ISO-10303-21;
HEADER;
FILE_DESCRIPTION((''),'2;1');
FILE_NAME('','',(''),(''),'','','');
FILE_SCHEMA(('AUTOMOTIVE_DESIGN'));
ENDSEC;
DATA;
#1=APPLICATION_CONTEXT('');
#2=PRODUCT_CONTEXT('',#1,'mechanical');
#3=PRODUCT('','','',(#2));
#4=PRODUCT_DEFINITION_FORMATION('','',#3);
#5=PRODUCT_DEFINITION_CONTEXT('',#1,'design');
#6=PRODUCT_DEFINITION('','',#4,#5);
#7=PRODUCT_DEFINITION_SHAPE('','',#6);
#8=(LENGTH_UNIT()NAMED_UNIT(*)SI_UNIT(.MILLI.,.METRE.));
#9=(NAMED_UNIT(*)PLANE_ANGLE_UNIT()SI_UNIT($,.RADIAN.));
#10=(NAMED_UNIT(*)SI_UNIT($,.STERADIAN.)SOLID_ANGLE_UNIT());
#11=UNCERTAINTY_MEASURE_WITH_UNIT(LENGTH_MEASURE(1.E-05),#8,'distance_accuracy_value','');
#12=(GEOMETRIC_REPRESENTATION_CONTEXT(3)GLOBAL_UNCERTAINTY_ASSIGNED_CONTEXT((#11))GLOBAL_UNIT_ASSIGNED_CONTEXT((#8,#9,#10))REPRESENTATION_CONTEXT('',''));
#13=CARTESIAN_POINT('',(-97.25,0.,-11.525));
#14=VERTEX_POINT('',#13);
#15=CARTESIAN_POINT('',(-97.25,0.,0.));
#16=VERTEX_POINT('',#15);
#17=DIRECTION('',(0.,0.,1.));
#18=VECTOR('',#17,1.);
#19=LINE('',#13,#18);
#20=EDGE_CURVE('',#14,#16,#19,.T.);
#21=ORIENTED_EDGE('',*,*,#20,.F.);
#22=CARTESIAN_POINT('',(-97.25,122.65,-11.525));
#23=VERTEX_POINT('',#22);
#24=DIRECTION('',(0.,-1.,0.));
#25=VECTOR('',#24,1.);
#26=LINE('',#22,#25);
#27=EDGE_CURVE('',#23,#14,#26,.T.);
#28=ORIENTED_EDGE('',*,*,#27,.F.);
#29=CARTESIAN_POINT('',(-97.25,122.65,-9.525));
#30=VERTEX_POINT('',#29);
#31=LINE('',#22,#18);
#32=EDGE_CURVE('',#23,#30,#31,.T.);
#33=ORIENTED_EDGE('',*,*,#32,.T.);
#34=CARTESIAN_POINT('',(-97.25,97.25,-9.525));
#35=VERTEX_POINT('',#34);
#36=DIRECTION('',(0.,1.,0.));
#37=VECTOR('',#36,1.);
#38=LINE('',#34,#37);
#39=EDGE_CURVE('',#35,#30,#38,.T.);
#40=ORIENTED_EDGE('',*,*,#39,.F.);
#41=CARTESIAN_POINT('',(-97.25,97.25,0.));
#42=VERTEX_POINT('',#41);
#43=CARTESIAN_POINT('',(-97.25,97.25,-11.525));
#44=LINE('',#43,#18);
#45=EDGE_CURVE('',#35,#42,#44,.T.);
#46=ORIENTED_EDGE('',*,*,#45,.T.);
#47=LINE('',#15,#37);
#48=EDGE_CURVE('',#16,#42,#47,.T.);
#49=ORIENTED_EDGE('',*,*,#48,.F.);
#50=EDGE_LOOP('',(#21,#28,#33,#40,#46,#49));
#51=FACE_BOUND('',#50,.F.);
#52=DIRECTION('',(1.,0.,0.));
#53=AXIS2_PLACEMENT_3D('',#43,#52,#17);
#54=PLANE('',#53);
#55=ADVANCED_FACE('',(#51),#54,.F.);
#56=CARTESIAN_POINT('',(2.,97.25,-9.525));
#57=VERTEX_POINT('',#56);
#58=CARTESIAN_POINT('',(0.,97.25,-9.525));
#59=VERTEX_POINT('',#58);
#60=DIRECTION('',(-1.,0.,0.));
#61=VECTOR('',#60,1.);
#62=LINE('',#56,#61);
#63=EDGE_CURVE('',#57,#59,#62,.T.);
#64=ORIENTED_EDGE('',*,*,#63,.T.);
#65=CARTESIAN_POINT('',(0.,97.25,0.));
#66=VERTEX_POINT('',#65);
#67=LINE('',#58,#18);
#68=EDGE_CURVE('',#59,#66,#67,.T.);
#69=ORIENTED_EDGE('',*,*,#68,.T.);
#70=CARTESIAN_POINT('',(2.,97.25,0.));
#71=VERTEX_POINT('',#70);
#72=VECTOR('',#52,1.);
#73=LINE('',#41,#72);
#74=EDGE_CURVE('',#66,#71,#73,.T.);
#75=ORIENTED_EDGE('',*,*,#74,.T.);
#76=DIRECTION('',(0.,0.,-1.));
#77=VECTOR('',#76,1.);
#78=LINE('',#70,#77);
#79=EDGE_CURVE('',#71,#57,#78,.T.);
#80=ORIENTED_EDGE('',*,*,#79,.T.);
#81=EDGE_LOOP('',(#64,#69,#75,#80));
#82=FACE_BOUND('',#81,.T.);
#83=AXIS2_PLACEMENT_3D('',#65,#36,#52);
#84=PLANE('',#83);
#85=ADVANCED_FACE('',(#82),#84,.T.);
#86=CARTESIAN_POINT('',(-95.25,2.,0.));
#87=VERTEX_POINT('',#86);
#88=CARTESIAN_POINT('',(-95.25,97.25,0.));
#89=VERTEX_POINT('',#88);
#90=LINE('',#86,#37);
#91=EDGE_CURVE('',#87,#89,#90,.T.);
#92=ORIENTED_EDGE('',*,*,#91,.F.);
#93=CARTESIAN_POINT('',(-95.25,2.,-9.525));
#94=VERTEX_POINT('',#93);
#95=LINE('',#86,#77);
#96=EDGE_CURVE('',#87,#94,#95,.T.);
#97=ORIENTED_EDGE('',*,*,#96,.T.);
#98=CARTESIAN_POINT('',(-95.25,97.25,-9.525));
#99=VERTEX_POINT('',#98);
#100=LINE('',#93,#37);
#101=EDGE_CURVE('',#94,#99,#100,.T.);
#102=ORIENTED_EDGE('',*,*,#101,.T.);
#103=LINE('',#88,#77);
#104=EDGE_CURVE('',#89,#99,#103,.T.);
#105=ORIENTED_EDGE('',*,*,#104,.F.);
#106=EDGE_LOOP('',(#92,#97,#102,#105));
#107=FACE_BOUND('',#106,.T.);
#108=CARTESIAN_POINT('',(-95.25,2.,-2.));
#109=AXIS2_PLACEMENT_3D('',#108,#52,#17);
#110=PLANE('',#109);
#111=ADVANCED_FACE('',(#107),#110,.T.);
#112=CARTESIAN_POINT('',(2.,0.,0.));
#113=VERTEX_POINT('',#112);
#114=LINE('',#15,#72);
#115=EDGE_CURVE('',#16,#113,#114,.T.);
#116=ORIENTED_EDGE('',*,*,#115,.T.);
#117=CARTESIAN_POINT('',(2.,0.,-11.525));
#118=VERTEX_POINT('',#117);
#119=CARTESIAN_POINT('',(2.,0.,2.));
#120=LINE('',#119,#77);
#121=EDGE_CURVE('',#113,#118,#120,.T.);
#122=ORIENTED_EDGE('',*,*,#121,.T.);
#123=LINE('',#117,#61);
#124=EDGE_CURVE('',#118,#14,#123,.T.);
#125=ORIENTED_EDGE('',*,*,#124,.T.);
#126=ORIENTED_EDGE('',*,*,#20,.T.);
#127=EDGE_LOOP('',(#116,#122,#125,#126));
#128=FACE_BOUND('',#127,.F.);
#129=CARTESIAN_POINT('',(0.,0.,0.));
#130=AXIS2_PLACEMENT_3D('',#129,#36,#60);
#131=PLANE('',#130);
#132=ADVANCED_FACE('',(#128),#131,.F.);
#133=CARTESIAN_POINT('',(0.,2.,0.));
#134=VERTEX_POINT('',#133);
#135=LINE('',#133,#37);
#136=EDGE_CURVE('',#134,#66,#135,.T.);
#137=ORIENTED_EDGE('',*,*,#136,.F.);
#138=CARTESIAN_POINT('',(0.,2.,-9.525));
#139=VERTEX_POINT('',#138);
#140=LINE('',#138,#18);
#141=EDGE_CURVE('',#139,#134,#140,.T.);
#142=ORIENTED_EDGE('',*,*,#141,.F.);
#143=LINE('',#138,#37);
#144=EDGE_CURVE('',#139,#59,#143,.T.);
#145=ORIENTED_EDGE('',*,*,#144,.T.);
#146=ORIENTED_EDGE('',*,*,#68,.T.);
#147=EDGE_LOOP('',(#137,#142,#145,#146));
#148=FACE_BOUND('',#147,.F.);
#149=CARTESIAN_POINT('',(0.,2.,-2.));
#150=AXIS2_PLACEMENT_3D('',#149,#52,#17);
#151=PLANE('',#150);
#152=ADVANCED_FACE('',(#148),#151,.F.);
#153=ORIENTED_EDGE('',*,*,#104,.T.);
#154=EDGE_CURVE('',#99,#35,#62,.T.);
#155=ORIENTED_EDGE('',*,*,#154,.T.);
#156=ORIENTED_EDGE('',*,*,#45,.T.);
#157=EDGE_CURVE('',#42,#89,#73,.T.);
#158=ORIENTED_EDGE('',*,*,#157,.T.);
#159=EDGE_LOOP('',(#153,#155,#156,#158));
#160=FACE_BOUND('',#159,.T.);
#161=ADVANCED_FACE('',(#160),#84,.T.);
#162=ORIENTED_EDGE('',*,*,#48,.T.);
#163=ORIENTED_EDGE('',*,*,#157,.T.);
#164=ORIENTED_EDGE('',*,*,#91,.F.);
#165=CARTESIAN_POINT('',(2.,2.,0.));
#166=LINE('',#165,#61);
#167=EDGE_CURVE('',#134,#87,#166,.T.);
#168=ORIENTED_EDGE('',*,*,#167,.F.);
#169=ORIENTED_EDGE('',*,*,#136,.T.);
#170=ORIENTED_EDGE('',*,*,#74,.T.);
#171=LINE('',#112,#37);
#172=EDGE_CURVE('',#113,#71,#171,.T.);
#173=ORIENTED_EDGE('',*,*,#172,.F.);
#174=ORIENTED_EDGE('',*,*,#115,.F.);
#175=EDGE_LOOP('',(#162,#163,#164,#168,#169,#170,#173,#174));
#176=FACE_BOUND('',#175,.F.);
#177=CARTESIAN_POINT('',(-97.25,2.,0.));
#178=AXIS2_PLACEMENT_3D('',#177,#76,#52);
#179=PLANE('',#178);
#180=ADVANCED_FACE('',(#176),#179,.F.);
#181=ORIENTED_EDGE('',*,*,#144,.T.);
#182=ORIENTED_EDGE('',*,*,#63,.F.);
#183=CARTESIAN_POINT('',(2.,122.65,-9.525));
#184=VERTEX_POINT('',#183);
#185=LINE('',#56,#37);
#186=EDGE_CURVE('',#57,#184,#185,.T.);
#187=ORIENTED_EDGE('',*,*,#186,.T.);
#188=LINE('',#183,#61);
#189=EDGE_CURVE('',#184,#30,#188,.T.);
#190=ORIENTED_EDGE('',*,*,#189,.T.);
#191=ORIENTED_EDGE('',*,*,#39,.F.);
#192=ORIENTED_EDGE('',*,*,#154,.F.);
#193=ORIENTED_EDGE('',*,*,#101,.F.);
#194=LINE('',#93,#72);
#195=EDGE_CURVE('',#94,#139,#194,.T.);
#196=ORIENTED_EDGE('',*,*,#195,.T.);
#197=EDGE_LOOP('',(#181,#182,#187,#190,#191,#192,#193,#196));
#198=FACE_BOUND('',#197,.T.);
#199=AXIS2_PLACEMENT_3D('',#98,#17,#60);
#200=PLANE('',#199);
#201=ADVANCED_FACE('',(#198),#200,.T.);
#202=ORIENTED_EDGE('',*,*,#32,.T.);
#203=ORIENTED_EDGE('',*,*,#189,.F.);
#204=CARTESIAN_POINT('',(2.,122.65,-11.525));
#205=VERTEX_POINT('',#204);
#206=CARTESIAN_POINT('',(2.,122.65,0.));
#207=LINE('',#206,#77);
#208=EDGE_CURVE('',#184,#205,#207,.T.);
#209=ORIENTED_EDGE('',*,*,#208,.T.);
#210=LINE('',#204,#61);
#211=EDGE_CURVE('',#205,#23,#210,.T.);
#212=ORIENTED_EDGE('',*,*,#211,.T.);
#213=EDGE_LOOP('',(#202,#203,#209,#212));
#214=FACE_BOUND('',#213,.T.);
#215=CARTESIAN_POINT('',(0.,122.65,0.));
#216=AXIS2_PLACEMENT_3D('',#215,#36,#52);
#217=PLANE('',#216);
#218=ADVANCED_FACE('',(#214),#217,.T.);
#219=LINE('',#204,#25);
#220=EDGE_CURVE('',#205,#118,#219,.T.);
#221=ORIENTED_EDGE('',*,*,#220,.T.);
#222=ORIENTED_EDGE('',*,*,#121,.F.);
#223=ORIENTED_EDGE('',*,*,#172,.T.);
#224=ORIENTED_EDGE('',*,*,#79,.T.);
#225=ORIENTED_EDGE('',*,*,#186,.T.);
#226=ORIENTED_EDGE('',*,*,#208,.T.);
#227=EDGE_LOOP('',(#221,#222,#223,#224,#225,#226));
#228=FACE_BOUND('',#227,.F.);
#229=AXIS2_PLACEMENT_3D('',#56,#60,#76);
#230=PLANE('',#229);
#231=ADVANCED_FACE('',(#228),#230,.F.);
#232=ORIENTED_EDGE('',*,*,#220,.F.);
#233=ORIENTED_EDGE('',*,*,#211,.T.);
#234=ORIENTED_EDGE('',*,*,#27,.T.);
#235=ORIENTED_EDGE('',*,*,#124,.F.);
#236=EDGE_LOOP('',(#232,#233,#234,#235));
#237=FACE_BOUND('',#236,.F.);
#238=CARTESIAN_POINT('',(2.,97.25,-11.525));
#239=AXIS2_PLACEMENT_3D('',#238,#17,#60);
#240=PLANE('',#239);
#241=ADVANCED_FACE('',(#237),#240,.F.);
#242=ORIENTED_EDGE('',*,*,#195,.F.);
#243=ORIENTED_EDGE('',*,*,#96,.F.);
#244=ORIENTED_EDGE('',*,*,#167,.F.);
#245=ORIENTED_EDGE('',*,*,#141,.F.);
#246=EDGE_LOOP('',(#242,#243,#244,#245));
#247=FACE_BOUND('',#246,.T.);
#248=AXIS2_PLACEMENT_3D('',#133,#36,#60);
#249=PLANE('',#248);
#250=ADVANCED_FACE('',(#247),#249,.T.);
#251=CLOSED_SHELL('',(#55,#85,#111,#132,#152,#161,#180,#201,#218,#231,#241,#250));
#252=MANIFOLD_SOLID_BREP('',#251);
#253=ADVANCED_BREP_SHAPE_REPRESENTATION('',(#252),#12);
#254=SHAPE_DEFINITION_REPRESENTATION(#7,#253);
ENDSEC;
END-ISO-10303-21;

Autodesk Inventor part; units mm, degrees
ref_plane "YZ Plane" through (0, 0, 0) normal (1, 0, 0) x (0, 1, 0)
ref_plane "XZ Plane" through (0, 0, 0) normal (0, 1, 0) x (-1, 0, 0)
ref_plane "XY Plane" through (0, 0, 0) normal (0, 0, 1) x (1, 0, 0)
sketch "Sketch1" plane through (0, 0, 0) normal (0, 1, 0) x (-1, 0, 0)
  line L0 (0, 0) -> (95.25, 0)
  line L1 (95.25, 0) -> (95.25, -9.525)
  line L2 (95.25, -9.525) -> (0, -9.525)
  line L3 (0, -9.525) -> (0, 0)
  line L4 (-2, -11.525) -> (97.25, -11.525)
  line L5 (97.25, -11.525) -> (97.25, 2)
  line L6 (97.25, 2) -> (-2, 2)
  line L7 (-2, 2) -> (-2, -11.525)
  line L8 (95.25, 0) -> (97.25, 0)
  line L9 (0, 0) -> (-2, 0)
  dimension "d0" = 95.25
  dimension "d1" = 9.525
  dimension "d4" = 2
extrude "Extrusion1" add sketch "Sketch1" along normal blind 2 contours L0 L1 L2 L3 | L3 L2 L1 L8 L5 L4 L7 L9
sketch "Sketch2" plane through (0, 2, 0) normal (0, 1, 0) x (1, 0, 0)
  line L0 (-97.25, 0) -> (2, 0) projected
  line L1 (2, 0) -> (2, 11.525) projected
  line L2 (2, 11.525) -> (-97.25, 11.525) projected
  line L3 (-97.25, 11.525) -> (-97.25, 0) projected
  line L4 (0, 9.525) -> (0, 2)
  line L5 (0, 2) -> (-95.25, 2)
  line L6 (-95.25, 2) -> (-95.25, 9.525)
  line L7 (-95.25, 9.525) -> (0, 9.525)
  line L8 (0, 2) -> (0, 0)
  line L9 (-95.25, 2) -> (-95.25, 0)
  dimension "d5" = 2
extrude "Extrusion2" add sketch "Sketch2" along normal blind 95.25 contours L3 L2 L1 L0 L8 L4 L7 L6 L9
sketch "Sketch3" plane through (0, 97.25, 0) normal (0, 1, 0) x (1, 0, 0)
  line L0 (-97.25, 0) -> (-95.25, 0) projected
  line L1 (-95.25, 0) -> (-95.25, 9.525) projected
  line L2 (-95.25, 9.525) -> (0, 9.525) projected
  line L3 (0, 9.525) -> (0, 0) projected
  line L4 (0, 0) -> (2, 0) projected
  line L5 (2, 0) -> (2, 11.525) projected
  line L6 (2, 11.525) -> (-97.25, 11.525) projected
  line L7 (-97.25, 11.525) -> (-97.25, 0) projected
  line L8 (-97.25, 11.525) -> (2, 11.525)
  line L9 (2, 11.525) -> (2, 9.525)
  line L10 (2, 9.525) -> (-97.25, 9.525)
  line L11 (-97.25, 9.525) -> (-97.25, 11.525)
  dimension "d8" = 99.25
extrude "Extrusion3" add sketch "Sketch3" along normal blind 25.4 contours L7 L6 L5 L10 L2
properties part number "back"
